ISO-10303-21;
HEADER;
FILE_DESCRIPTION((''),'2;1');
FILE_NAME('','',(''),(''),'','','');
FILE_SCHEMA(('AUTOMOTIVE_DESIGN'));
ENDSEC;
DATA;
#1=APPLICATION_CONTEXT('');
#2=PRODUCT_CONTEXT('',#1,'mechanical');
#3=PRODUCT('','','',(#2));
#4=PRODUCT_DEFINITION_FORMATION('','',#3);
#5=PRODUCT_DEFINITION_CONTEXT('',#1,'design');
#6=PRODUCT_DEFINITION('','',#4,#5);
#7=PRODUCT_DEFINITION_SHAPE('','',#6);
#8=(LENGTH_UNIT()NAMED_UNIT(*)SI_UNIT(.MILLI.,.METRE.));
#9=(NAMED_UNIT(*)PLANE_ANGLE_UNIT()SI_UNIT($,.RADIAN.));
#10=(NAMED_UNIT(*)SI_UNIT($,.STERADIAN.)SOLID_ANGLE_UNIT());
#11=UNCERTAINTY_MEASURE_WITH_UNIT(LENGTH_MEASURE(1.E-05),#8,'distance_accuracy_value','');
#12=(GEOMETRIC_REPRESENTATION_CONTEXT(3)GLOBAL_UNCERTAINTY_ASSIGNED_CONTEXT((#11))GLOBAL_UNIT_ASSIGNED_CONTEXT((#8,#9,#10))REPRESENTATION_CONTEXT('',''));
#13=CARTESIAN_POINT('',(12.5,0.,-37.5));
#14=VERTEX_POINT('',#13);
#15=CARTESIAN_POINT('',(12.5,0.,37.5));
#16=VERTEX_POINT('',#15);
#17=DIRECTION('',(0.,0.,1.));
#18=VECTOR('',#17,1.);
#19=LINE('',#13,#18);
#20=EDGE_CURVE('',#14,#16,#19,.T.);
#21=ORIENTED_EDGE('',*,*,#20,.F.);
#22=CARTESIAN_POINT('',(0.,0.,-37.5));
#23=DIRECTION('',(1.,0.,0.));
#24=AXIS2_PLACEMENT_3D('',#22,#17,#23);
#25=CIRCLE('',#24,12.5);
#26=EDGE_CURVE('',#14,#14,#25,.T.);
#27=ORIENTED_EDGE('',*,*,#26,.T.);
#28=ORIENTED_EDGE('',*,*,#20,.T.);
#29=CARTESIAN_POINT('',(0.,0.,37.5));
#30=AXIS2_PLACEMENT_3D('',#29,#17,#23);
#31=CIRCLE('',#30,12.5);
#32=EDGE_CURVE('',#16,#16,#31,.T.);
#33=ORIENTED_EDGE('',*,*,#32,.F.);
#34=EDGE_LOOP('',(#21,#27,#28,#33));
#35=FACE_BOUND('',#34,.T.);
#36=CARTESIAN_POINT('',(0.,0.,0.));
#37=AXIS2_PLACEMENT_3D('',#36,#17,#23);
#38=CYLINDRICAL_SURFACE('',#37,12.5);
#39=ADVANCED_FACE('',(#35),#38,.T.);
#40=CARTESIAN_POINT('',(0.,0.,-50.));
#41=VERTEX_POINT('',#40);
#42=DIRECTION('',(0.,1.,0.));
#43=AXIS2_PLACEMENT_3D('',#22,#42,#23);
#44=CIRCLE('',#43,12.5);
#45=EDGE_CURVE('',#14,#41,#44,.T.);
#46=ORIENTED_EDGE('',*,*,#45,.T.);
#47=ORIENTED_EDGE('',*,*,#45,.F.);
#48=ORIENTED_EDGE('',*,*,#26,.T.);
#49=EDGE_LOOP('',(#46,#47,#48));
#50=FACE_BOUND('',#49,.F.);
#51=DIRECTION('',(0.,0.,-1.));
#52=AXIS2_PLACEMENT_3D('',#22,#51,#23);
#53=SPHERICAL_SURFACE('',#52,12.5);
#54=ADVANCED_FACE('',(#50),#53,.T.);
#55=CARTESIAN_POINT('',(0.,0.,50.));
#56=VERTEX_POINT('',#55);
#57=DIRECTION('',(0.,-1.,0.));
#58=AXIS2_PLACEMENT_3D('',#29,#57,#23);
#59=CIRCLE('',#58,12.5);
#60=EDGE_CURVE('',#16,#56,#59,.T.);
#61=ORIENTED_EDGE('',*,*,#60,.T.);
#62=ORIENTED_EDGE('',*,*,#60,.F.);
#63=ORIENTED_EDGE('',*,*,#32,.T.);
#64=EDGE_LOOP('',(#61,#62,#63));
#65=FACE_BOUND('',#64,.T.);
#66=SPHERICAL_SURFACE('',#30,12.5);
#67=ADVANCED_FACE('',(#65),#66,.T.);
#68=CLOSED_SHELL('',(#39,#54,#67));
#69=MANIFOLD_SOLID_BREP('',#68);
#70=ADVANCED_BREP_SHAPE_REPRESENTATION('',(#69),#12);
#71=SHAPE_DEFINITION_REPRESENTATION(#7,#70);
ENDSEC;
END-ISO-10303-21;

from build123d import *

# Parameters (mm, degrees)
F0_R     = 12.5
F1_DEPTH = 50
F2_R     = 12.5


with BuildPart() as f1:
    # F0 (on Top) → F1 (new body)
    with BuildSketch(Plane.XY):
        Circle(F0_R)
    extrude(amount=F1_DEPTH)

    # F2
    f2_edges = [f1.edges().sort_by_distance(p)[0] for p in [
        (-12.5, 0, 50),
    ]]
    fillet(f2_edges, radius=F2_R)

    # F3: F1 across plane


with BuildPart() as f1_1:
    add(f1.part)
    add(f1.part.mirror(Plane.XY))


solid = f1_1.part
